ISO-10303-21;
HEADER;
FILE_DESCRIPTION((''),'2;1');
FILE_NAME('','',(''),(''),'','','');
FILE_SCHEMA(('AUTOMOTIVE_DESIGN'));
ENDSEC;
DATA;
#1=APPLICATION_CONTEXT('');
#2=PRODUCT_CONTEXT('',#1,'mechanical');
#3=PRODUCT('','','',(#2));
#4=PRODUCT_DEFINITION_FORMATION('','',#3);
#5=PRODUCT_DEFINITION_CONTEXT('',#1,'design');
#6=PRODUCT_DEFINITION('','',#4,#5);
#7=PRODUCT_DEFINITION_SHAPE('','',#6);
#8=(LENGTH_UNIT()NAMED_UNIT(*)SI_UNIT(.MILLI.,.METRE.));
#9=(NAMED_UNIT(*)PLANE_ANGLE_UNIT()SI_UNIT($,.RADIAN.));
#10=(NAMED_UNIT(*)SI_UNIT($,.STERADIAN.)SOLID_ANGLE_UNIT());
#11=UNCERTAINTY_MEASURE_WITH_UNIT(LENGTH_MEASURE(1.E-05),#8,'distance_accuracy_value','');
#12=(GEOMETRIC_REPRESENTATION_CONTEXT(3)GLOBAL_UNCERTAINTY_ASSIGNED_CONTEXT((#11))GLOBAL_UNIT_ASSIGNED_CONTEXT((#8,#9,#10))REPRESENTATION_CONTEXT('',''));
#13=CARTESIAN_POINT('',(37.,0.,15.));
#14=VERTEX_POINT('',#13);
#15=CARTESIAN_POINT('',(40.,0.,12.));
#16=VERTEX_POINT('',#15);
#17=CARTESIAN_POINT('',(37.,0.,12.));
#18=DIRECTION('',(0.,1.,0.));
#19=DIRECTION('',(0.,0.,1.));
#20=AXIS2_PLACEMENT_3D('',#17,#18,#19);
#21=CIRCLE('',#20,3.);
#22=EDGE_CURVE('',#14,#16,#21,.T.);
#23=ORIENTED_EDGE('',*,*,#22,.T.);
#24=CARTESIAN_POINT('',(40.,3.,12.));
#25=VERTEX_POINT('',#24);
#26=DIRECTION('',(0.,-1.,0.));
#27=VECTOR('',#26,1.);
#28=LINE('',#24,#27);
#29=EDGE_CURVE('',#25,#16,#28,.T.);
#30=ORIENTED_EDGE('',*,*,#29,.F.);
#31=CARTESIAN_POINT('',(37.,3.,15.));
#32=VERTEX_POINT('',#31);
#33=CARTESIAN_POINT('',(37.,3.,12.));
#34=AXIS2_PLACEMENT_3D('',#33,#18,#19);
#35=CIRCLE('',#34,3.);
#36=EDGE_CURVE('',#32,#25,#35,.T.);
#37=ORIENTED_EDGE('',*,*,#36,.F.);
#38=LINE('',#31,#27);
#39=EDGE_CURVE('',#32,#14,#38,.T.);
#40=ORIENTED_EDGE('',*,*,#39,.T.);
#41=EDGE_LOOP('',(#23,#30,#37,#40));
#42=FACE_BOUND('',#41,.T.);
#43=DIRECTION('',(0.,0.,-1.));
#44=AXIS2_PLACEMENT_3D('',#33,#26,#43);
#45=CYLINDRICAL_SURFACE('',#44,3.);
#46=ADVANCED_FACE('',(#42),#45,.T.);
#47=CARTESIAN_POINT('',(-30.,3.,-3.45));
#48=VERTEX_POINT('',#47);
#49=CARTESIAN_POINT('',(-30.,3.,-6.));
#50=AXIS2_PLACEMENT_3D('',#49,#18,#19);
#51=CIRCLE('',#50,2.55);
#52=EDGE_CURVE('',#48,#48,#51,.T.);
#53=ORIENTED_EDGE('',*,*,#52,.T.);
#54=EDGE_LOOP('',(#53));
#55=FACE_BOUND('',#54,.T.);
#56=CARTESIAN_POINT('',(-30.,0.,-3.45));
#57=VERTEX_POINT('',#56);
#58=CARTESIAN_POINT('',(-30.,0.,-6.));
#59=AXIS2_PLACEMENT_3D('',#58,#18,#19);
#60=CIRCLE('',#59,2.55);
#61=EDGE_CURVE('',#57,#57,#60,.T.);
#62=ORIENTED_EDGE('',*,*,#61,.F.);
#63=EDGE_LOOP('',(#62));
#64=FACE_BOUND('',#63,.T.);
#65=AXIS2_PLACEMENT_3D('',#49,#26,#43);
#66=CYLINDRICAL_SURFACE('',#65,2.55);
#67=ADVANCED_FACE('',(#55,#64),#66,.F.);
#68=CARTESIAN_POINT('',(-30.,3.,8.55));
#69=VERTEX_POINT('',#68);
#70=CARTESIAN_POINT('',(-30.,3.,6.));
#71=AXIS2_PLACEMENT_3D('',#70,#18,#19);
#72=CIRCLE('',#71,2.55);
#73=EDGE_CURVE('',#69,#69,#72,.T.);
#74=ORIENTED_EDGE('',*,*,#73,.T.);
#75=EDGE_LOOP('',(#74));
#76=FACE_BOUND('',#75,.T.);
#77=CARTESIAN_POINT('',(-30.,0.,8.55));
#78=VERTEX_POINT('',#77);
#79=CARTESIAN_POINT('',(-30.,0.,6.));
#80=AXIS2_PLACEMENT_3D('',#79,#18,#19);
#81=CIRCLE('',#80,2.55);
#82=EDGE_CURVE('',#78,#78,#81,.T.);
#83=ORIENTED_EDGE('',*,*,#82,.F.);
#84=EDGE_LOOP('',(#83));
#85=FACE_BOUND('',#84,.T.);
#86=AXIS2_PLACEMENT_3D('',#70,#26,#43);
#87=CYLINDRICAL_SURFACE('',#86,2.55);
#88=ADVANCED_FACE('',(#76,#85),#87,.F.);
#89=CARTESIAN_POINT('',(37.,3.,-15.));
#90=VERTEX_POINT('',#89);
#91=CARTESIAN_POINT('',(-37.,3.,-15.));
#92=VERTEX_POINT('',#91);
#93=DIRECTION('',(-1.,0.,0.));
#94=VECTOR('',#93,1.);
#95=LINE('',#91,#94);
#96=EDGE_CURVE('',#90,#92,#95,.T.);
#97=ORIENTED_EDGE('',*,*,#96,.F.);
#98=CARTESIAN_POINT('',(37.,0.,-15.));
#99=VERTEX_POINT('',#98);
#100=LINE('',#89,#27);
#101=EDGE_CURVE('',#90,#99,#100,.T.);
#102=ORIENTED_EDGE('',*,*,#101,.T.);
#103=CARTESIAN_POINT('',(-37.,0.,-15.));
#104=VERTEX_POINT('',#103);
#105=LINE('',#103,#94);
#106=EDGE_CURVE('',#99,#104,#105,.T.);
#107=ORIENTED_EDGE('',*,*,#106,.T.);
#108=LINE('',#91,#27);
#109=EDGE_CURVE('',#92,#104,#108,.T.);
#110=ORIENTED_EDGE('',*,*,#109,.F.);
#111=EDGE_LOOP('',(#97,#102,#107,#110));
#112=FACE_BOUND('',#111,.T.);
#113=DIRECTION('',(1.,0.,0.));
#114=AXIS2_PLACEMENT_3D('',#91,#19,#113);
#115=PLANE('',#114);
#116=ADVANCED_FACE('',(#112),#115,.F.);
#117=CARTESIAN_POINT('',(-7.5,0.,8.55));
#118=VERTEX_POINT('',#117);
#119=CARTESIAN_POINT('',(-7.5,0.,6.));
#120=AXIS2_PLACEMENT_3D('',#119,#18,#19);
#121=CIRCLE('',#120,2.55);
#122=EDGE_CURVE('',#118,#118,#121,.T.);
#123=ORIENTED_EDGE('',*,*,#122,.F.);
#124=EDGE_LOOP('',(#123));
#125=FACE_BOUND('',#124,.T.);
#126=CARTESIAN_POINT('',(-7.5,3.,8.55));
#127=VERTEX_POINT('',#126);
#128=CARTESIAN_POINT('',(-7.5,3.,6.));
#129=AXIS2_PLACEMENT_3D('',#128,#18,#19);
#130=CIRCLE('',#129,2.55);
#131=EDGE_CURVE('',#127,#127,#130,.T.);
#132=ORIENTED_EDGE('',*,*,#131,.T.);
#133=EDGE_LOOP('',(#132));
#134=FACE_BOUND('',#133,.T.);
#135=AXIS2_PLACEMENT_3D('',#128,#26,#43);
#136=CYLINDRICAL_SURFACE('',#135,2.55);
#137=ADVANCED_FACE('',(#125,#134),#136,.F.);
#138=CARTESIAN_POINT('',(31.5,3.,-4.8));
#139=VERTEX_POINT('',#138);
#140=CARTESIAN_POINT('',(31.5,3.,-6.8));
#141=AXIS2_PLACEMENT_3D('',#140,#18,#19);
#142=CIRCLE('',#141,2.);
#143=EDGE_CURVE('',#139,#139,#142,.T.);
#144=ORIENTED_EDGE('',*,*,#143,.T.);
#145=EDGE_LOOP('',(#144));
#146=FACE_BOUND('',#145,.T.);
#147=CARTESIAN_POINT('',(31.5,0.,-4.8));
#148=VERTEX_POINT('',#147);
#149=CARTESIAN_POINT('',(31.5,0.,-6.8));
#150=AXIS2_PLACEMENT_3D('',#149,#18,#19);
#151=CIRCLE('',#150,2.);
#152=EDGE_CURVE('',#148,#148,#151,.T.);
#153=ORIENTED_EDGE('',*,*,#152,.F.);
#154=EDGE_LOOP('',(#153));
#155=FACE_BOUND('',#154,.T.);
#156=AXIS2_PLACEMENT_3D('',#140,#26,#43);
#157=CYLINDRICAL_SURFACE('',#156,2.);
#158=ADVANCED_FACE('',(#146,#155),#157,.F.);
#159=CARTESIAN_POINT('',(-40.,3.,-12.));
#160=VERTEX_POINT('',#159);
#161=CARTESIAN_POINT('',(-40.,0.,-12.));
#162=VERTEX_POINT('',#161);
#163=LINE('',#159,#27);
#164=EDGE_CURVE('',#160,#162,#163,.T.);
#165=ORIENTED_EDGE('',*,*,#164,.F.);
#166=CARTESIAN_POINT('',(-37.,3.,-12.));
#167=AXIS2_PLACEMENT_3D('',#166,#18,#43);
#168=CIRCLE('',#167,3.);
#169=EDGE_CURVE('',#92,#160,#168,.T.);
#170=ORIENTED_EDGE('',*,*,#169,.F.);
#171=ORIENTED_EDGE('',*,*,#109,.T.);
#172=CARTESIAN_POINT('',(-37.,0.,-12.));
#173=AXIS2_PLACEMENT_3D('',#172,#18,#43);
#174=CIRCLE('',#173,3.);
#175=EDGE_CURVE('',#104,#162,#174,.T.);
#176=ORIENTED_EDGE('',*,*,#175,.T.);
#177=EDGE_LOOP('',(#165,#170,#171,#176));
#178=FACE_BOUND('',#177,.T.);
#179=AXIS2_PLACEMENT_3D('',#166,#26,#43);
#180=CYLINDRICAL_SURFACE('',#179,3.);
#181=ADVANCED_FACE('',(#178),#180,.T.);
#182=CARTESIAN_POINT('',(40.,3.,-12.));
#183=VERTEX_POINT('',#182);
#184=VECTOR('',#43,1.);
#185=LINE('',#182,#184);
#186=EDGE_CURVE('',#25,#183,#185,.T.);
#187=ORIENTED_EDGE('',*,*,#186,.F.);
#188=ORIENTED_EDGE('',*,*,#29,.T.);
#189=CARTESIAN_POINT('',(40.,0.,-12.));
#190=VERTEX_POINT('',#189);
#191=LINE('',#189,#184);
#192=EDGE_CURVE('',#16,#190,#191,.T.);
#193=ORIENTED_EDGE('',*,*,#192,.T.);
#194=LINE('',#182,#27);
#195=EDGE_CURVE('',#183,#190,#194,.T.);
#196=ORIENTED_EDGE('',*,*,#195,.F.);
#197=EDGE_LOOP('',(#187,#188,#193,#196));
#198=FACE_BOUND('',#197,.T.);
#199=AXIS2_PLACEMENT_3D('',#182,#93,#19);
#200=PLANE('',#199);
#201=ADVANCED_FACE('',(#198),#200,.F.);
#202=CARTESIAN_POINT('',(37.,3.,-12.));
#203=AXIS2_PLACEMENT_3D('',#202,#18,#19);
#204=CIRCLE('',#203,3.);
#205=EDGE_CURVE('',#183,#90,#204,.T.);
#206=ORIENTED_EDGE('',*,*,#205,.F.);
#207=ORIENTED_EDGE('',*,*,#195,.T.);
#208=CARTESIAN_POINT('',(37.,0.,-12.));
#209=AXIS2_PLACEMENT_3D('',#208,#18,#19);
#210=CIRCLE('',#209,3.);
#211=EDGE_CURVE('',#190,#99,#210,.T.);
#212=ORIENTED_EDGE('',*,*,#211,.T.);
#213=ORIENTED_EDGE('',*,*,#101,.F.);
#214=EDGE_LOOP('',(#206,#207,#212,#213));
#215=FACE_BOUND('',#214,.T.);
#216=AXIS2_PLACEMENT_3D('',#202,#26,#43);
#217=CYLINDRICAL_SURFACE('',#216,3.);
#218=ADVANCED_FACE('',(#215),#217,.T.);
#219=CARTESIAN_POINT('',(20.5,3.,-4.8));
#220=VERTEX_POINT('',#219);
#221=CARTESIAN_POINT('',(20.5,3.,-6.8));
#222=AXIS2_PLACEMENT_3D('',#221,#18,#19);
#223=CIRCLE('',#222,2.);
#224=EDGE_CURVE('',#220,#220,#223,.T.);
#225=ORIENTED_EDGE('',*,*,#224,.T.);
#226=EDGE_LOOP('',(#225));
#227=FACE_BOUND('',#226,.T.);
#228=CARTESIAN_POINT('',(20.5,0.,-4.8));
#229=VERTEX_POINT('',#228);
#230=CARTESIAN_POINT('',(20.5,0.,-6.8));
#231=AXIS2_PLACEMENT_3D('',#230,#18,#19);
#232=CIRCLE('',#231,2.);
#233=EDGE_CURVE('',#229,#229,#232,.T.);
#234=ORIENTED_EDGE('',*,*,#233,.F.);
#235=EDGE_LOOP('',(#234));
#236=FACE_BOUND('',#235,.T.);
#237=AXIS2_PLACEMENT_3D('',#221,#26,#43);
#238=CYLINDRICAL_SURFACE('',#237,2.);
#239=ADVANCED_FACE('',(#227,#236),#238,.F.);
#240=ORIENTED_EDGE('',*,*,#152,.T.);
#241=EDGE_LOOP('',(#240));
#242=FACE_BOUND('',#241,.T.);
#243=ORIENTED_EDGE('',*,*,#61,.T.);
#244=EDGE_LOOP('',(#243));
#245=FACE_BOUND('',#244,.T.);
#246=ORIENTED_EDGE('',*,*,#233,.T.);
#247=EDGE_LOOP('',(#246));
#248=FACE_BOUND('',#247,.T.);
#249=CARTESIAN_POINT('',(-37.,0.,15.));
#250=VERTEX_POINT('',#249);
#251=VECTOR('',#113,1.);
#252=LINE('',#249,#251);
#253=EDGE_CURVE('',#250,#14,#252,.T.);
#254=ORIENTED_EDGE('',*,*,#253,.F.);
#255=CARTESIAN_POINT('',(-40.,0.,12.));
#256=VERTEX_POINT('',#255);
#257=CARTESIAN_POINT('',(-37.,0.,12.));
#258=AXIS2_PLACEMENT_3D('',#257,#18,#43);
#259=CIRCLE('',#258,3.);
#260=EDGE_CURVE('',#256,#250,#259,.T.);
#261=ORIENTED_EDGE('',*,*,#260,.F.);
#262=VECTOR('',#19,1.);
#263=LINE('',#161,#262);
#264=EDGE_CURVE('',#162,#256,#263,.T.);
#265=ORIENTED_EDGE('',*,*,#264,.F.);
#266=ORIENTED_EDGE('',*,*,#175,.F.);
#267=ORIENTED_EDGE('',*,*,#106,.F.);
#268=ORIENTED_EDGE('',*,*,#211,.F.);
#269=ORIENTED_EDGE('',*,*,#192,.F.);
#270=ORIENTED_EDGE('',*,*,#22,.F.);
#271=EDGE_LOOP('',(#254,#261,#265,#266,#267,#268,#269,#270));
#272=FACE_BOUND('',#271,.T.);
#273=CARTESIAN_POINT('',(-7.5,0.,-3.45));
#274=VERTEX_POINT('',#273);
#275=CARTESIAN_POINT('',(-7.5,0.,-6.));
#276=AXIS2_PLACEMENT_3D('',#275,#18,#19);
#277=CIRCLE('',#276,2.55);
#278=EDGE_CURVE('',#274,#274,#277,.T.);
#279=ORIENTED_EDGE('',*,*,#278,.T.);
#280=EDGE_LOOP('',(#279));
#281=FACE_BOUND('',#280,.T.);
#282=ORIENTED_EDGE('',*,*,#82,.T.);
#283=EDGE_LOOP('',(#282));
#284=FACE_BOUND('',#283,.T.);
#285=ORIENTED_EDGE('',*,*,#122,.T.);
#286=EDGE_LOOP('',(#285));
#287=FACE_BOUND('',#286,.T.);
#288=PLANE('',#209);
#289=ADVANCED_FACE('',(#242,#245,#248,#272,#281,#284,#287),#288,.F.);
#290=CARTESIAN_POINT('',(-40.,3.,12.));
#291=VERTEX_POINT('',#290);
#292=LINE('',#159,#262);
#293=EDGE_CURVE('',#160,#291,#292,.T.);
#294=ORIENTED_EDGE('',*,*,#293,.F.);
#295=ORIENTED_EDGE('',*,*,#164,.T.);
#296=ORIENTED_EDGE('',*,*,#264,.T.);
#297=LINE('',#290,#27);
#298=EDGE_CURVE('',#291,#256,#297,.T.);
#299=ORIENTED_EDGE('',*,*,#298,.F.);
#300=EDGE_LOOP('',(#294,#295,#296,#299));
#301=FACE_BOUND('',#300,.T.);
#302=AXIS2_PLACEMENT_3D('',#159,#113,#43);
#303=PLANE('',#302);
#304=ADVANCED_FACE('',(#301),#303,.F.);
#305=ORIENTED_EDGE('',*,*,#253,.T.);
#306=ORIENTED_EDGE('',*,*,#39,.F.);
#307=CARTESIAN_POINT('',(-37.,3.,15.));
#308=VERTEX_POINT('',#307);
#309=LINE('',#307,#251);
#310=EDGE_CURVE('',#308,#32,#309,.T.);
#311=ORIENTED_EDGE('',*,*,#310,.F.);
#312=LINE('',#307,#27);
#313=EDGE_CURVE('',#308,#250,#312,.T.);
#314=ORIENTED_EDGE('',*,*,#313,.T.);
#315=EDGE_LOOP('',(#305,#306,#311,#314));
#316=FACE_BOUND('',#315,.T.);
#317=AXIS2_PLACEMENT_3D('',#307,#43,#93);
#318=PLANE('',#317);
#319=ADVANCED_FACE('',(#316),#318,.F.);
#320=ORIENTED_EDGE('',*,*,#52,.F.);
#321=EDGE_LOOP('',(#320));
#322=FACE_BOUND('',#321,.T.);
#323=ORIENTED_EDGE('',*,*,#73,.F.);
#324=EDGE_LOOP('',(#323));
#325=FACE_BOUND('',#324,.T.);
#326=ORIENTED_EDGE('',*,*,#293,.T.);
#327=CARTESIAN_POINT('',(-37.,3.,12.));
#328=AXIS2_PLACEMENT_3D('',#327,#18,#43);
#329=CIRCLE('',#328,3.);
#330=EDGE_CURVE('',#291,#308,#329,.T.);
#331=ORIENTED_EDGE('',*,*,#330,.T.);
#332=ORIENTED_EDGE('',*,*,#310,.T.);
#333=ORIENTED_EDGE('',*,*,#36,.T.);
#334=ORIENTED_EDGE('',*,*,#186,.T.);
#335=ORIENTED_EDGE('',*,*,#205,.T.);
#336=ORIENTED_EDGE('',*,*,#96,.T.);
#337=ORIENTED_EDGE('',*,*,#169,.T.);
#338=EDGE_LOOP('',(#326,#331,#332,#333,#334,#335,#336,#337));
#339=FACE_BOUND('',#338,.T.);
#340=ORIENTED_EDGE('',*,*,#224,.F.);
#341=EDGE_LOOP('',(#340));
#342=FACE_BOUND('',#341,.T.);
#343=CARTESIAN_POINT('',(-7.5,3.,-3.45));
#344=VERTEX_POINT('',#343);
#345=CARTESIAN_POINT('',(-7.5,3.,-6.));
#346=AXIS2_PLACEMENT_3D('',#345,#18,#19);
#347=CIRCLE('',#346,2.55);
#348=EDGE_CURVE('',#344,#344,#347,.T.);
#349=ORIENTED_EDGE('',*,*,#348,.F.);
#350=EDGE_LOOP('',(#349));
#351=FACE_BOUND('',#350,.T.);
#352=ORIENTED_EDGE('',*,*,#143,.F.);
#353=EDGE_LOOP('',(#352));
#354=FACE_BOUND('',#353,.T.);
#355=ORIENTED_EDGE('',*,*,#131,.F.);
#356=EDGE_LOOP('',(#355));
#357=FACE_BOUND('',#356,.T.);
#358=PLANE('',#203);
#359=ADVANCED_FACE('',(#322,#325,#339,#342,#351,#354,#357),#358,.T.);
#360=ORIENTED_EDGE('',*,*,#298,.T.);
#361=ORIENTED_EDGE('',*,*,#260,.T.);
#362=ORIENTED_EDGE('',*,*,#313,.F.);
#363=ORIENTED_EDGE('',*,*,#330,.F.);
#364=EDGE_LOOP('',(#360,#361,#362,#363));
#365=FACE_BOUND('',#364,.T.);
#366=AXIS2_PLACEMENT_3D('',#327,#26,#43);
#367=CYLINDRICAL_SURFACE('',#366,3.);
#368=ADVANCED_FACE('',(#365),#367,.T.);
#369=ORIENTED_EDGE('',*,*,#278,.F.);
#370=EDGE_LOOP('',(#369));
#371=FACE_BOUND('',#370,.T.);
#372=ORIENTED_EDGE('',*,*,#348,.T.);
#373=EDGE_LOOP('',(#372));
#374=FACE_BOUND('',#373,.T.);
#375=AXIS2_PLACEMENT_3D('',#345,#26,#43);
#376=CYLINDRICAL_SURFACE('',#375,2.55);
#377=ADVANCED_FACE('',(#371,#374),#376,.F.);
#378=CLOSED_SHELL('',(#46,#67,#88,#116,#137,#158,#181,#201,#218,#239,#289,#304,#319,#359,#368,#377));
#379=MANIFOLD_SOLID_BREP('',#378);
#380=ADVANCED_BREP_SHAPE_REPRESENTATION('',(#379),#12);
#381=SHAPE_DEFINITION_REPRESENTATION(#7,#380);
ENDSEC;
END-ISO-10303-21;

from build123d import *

# Parameters (mm, degrees)
SKETCH1_R           = 2
SKETCH1_R_2         = 2.55
BOSS_EXTRUDE2_DEPTH = 3


with BuildPart() as part:
    # Sketch1 → Boss-Extrude2 (new body)
    with BuildSketch(Plane(origin=(0, 0, 0), x_dir=(1, 0, 0), z_dir=(0, 1, 0))):
        with BuildLine():
            Line((-37, 15), (37, 15))
            ThreePointArc((37, 15), (39.121320344, 14.121320344), (40, 12))
            Line((40, 12), (40, -12))
            ThreePointArc((40, -12), (39.121320344, -14.121320344), (37, -15))
            Line((37, -15), (-37, -15))
            ThreePointArc((-37, -15), (-39.121320344, -14.121320344), (-40, -12))
            Line((-40, -12), (-40, 12))
            ThreePointArc((-40, 12), (-39.121320344, 14.121320344), (-37, 15))
        make_face()
        with Locations((20.5, 6.8)):
            Circle(SKETCH1_R, mode=Mode.SUBTRACT)
        with Locations((31.5, 6.8)):
            Circle(SKETCH1_R, mode=Mode.SUBTRACT)
        with Locations((-30, 6)):
            Circle(SKETCH1_R_2, mode=Mode.SUBTRACT)
        with Locations((-30, -6)):
            Circle(SKETCH1_R_2, mode=Mode.SUBTRACT)
        with Locations((-7.5, 6)):
            Circle(SKETCH1_R_2, mode=Mode.SUBTRACT)
        with Locations((-7.5, -6)):
            Circle(SKETCH1_R_2, mode=Mode.SUBTRACT)
    extrude(amount=BOSS_EXTRUDE2_DEPTH)


solid = part.part
